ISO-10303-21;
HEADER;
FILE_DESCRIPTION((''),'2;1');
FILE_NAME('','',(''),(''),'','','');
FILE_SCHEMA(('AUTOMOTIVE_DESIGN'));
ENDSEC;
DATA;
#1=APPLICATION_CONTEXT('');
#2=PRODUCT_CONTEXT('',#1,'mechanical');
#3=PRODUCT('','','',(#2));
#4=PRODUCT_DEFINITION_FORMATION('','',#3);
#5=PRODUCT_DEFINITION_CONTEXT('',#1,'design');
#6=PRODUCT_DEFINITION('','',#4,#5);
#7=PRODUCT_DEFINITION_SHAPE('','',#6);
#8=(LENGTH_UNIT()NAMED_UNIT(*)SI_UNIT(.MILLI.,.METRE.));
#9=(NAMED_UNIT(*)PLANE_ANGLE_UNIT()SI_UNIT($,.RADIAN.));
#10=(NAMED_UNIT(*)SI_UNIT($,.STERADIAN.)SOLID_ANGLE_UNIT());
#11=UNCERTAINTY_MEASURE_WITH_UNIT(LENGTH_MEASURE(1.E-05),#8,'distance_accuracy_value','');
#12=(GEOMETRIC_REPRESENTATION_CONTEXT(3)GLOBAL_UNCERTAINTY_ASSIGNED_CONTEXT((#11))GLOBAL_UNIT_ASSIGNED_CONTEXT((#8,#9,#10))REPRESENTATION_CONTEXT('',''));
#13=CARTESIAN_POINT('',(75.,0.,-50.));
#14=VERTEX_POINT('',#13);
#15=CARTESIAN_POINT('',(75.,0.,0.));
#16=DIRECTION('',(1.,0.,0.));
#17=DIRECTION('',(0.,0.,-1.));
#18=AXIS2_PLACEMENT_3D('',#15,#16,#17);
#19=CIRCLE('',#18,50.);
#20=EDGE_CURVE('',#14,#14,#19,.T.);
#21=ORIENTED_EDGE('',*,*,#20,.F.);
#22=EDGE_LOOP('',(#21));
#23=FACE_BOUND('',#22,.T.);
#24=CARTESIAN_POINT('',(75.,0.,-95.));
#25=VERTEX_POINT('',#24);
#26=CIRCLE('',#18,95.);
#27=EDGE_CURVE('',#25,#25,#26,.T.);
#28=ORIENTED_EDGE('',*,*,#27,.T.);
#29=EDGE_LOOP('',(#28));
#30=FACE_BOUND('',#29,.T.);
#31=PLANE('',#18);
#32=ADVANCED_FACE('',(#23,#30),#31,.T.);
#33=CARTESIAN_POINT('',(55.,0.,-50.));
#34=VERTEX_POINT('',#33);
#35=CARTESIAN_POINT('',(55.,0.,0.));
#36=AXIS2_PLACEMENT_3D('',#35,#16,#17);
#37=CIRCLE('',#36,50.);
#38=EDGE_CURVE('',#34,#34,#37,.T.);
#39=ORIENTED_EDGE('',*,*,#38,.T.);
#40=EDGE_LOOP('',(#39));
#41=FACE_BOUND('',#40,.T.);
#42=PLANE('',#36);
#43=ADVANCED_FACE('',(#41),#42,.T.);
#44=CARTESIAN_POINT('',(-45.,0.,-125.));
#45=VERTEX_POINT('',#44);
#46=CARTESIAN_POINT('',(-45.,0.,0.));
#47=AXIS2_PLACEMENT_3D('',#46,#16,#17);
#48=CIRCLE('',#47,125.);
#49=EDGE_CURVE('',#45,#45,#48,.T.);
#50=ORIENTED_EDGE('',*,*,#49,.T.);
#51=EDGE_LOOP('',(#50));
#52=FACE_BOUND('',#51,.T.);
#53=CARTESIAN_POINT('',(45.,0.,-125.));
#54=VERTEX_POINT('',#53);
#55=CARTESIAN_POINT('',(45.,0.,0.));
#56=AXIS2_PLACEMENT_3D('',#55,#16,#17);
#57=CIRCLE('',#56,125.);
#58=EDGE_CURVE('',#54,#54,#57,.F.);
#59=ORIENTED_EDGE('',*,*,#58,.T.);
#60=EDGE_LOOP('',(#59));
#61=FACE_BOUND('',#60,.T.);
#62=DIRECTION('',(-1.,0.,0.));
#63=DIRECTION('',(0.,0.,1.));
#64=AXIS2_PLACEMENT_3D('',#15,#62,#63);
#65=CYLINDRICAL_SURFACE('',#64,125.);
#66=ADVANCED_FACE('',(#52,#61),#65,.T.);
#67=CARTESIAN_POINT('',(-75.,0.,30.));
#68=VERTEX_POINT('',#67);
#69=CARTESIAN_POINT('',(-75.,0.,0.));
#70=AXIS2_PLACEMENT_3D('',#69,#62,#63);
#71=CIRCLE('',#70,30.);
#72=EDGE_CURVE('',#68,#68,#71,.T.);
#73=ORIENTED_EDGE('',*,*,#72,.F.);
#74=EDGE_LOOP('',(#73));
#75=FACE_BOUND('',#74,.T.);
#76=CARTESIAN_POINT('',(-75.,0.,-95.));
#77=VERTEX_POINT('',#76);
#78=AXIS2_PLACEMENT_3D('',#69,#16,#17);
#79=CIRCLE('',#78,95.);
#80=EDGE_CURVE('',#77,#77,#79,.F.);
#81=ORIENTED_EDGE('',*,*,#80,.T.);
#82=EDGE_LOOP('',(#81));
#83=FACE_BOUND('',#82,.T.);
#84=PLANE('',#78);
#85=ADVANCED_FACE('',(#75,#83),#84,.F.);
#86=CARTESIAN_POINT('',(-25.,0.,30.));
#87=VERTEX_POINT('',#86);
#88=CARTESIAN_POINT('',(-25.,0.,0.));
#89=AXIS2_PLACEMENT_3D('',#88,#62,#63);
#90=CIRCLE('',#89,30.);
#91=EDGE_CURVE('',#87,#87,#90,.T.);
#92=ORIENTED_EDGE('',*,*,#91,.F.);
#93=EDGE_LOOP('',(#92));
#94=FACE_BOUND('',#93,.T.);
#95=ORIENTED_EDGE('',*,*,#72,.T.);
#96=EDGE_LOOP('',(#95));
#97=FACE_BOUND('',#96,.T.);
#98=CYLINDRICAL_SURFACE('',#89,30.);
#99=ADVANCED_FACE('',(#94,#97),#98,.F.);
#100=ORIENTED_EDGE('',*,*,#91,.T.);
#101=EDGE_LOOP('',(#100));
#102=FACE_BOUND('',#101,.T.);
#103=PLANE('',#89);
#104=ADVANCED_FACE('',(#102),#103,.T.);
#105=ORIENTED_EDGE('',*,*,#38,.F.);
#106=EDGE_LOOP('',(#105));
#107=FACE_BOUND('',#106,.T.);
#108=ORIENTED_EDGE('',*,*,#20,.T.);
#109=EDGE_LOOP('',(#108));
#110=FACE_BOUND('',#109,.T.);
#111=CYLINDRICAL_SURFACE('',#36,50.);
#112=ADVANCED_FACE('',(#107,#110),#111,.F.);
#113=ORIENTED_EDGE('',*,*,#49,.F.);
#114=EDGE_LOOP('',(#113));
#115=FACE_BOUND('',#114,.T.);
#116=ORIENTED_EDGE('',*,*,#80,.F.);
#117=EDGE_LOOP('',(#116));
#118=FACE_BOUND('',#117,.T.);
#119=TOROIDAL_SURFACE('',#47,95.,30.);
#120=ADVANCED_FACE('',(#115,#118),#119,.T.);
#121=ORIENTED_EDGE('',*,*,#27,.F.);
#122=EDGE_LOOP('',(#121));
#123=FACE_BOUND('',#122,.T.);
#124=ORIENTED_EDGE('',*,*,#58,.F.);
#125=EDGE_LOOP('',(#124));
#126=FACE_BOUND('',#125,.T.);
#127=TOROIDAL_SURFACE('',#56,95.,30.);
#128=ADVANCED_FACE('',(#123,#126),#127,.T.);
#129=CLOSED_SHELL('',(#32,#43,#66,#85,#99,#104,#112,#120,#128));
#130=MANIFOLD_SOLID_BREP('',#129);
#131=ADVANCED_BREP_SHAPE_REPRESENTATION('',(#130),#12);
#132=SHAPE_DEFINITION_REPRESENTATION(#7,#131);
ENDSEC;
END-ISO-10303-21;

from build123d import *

# Parameters (mm, degrees)
SKETCH1_R           = 125
BOSS_EXTRUDE1_DEPTH = 75
FILLET1_R           = 30
SKETCH2_R           = 50
CUT_EXTRUDE1_DEPTH  = 20
SKETCH3_R           = 30
CUT_EXTRUDE2_DEPTH  = 50


with BuildPart() as part:
    # Sketch1 → Boss-Extrude1 (new, symmetric)
    with BuildSketch(Plane(origin=(0, 0, 0), x_dir=(0, 0, -1), z_dir=(1, 0, 0))):
        Circle(SKETCH1_R)
    extrude(amount=BOSS_EXTRUDE1_DEPTH, both=True)

    # Fillet1
    fillet1_edges = [part.edges().sort_by_distance(p)[0] for p in [
        (-75, 0, 125),
        (75, 0, 125),
    ]]
    fillet(fillet1_edges, radius=FILLET1_R)

    # Sketch2 → Cut-Extrude1 (cut)
    with BuildSketch(Plane(origin=(75, 0, 0), x_dir=(0, 0, -1), z_dir=(1, 0, 0))):
        Circle(SKETCH2_R)
    extrude(amount=-CUT_EXTRUDE1_DEPTH, mode=Mode.SUBTRACT)

    # Sketch3 → Cut-Extrude2 (cut)
    with BuildSketch(Plane.ZY.offset(75)):
        Circle(SKETCH3_R)
    extrude(amount=-CUT_EXTRUDE2_DEPTH, mode=Mode.SUBTRACT)


solid = part.part
